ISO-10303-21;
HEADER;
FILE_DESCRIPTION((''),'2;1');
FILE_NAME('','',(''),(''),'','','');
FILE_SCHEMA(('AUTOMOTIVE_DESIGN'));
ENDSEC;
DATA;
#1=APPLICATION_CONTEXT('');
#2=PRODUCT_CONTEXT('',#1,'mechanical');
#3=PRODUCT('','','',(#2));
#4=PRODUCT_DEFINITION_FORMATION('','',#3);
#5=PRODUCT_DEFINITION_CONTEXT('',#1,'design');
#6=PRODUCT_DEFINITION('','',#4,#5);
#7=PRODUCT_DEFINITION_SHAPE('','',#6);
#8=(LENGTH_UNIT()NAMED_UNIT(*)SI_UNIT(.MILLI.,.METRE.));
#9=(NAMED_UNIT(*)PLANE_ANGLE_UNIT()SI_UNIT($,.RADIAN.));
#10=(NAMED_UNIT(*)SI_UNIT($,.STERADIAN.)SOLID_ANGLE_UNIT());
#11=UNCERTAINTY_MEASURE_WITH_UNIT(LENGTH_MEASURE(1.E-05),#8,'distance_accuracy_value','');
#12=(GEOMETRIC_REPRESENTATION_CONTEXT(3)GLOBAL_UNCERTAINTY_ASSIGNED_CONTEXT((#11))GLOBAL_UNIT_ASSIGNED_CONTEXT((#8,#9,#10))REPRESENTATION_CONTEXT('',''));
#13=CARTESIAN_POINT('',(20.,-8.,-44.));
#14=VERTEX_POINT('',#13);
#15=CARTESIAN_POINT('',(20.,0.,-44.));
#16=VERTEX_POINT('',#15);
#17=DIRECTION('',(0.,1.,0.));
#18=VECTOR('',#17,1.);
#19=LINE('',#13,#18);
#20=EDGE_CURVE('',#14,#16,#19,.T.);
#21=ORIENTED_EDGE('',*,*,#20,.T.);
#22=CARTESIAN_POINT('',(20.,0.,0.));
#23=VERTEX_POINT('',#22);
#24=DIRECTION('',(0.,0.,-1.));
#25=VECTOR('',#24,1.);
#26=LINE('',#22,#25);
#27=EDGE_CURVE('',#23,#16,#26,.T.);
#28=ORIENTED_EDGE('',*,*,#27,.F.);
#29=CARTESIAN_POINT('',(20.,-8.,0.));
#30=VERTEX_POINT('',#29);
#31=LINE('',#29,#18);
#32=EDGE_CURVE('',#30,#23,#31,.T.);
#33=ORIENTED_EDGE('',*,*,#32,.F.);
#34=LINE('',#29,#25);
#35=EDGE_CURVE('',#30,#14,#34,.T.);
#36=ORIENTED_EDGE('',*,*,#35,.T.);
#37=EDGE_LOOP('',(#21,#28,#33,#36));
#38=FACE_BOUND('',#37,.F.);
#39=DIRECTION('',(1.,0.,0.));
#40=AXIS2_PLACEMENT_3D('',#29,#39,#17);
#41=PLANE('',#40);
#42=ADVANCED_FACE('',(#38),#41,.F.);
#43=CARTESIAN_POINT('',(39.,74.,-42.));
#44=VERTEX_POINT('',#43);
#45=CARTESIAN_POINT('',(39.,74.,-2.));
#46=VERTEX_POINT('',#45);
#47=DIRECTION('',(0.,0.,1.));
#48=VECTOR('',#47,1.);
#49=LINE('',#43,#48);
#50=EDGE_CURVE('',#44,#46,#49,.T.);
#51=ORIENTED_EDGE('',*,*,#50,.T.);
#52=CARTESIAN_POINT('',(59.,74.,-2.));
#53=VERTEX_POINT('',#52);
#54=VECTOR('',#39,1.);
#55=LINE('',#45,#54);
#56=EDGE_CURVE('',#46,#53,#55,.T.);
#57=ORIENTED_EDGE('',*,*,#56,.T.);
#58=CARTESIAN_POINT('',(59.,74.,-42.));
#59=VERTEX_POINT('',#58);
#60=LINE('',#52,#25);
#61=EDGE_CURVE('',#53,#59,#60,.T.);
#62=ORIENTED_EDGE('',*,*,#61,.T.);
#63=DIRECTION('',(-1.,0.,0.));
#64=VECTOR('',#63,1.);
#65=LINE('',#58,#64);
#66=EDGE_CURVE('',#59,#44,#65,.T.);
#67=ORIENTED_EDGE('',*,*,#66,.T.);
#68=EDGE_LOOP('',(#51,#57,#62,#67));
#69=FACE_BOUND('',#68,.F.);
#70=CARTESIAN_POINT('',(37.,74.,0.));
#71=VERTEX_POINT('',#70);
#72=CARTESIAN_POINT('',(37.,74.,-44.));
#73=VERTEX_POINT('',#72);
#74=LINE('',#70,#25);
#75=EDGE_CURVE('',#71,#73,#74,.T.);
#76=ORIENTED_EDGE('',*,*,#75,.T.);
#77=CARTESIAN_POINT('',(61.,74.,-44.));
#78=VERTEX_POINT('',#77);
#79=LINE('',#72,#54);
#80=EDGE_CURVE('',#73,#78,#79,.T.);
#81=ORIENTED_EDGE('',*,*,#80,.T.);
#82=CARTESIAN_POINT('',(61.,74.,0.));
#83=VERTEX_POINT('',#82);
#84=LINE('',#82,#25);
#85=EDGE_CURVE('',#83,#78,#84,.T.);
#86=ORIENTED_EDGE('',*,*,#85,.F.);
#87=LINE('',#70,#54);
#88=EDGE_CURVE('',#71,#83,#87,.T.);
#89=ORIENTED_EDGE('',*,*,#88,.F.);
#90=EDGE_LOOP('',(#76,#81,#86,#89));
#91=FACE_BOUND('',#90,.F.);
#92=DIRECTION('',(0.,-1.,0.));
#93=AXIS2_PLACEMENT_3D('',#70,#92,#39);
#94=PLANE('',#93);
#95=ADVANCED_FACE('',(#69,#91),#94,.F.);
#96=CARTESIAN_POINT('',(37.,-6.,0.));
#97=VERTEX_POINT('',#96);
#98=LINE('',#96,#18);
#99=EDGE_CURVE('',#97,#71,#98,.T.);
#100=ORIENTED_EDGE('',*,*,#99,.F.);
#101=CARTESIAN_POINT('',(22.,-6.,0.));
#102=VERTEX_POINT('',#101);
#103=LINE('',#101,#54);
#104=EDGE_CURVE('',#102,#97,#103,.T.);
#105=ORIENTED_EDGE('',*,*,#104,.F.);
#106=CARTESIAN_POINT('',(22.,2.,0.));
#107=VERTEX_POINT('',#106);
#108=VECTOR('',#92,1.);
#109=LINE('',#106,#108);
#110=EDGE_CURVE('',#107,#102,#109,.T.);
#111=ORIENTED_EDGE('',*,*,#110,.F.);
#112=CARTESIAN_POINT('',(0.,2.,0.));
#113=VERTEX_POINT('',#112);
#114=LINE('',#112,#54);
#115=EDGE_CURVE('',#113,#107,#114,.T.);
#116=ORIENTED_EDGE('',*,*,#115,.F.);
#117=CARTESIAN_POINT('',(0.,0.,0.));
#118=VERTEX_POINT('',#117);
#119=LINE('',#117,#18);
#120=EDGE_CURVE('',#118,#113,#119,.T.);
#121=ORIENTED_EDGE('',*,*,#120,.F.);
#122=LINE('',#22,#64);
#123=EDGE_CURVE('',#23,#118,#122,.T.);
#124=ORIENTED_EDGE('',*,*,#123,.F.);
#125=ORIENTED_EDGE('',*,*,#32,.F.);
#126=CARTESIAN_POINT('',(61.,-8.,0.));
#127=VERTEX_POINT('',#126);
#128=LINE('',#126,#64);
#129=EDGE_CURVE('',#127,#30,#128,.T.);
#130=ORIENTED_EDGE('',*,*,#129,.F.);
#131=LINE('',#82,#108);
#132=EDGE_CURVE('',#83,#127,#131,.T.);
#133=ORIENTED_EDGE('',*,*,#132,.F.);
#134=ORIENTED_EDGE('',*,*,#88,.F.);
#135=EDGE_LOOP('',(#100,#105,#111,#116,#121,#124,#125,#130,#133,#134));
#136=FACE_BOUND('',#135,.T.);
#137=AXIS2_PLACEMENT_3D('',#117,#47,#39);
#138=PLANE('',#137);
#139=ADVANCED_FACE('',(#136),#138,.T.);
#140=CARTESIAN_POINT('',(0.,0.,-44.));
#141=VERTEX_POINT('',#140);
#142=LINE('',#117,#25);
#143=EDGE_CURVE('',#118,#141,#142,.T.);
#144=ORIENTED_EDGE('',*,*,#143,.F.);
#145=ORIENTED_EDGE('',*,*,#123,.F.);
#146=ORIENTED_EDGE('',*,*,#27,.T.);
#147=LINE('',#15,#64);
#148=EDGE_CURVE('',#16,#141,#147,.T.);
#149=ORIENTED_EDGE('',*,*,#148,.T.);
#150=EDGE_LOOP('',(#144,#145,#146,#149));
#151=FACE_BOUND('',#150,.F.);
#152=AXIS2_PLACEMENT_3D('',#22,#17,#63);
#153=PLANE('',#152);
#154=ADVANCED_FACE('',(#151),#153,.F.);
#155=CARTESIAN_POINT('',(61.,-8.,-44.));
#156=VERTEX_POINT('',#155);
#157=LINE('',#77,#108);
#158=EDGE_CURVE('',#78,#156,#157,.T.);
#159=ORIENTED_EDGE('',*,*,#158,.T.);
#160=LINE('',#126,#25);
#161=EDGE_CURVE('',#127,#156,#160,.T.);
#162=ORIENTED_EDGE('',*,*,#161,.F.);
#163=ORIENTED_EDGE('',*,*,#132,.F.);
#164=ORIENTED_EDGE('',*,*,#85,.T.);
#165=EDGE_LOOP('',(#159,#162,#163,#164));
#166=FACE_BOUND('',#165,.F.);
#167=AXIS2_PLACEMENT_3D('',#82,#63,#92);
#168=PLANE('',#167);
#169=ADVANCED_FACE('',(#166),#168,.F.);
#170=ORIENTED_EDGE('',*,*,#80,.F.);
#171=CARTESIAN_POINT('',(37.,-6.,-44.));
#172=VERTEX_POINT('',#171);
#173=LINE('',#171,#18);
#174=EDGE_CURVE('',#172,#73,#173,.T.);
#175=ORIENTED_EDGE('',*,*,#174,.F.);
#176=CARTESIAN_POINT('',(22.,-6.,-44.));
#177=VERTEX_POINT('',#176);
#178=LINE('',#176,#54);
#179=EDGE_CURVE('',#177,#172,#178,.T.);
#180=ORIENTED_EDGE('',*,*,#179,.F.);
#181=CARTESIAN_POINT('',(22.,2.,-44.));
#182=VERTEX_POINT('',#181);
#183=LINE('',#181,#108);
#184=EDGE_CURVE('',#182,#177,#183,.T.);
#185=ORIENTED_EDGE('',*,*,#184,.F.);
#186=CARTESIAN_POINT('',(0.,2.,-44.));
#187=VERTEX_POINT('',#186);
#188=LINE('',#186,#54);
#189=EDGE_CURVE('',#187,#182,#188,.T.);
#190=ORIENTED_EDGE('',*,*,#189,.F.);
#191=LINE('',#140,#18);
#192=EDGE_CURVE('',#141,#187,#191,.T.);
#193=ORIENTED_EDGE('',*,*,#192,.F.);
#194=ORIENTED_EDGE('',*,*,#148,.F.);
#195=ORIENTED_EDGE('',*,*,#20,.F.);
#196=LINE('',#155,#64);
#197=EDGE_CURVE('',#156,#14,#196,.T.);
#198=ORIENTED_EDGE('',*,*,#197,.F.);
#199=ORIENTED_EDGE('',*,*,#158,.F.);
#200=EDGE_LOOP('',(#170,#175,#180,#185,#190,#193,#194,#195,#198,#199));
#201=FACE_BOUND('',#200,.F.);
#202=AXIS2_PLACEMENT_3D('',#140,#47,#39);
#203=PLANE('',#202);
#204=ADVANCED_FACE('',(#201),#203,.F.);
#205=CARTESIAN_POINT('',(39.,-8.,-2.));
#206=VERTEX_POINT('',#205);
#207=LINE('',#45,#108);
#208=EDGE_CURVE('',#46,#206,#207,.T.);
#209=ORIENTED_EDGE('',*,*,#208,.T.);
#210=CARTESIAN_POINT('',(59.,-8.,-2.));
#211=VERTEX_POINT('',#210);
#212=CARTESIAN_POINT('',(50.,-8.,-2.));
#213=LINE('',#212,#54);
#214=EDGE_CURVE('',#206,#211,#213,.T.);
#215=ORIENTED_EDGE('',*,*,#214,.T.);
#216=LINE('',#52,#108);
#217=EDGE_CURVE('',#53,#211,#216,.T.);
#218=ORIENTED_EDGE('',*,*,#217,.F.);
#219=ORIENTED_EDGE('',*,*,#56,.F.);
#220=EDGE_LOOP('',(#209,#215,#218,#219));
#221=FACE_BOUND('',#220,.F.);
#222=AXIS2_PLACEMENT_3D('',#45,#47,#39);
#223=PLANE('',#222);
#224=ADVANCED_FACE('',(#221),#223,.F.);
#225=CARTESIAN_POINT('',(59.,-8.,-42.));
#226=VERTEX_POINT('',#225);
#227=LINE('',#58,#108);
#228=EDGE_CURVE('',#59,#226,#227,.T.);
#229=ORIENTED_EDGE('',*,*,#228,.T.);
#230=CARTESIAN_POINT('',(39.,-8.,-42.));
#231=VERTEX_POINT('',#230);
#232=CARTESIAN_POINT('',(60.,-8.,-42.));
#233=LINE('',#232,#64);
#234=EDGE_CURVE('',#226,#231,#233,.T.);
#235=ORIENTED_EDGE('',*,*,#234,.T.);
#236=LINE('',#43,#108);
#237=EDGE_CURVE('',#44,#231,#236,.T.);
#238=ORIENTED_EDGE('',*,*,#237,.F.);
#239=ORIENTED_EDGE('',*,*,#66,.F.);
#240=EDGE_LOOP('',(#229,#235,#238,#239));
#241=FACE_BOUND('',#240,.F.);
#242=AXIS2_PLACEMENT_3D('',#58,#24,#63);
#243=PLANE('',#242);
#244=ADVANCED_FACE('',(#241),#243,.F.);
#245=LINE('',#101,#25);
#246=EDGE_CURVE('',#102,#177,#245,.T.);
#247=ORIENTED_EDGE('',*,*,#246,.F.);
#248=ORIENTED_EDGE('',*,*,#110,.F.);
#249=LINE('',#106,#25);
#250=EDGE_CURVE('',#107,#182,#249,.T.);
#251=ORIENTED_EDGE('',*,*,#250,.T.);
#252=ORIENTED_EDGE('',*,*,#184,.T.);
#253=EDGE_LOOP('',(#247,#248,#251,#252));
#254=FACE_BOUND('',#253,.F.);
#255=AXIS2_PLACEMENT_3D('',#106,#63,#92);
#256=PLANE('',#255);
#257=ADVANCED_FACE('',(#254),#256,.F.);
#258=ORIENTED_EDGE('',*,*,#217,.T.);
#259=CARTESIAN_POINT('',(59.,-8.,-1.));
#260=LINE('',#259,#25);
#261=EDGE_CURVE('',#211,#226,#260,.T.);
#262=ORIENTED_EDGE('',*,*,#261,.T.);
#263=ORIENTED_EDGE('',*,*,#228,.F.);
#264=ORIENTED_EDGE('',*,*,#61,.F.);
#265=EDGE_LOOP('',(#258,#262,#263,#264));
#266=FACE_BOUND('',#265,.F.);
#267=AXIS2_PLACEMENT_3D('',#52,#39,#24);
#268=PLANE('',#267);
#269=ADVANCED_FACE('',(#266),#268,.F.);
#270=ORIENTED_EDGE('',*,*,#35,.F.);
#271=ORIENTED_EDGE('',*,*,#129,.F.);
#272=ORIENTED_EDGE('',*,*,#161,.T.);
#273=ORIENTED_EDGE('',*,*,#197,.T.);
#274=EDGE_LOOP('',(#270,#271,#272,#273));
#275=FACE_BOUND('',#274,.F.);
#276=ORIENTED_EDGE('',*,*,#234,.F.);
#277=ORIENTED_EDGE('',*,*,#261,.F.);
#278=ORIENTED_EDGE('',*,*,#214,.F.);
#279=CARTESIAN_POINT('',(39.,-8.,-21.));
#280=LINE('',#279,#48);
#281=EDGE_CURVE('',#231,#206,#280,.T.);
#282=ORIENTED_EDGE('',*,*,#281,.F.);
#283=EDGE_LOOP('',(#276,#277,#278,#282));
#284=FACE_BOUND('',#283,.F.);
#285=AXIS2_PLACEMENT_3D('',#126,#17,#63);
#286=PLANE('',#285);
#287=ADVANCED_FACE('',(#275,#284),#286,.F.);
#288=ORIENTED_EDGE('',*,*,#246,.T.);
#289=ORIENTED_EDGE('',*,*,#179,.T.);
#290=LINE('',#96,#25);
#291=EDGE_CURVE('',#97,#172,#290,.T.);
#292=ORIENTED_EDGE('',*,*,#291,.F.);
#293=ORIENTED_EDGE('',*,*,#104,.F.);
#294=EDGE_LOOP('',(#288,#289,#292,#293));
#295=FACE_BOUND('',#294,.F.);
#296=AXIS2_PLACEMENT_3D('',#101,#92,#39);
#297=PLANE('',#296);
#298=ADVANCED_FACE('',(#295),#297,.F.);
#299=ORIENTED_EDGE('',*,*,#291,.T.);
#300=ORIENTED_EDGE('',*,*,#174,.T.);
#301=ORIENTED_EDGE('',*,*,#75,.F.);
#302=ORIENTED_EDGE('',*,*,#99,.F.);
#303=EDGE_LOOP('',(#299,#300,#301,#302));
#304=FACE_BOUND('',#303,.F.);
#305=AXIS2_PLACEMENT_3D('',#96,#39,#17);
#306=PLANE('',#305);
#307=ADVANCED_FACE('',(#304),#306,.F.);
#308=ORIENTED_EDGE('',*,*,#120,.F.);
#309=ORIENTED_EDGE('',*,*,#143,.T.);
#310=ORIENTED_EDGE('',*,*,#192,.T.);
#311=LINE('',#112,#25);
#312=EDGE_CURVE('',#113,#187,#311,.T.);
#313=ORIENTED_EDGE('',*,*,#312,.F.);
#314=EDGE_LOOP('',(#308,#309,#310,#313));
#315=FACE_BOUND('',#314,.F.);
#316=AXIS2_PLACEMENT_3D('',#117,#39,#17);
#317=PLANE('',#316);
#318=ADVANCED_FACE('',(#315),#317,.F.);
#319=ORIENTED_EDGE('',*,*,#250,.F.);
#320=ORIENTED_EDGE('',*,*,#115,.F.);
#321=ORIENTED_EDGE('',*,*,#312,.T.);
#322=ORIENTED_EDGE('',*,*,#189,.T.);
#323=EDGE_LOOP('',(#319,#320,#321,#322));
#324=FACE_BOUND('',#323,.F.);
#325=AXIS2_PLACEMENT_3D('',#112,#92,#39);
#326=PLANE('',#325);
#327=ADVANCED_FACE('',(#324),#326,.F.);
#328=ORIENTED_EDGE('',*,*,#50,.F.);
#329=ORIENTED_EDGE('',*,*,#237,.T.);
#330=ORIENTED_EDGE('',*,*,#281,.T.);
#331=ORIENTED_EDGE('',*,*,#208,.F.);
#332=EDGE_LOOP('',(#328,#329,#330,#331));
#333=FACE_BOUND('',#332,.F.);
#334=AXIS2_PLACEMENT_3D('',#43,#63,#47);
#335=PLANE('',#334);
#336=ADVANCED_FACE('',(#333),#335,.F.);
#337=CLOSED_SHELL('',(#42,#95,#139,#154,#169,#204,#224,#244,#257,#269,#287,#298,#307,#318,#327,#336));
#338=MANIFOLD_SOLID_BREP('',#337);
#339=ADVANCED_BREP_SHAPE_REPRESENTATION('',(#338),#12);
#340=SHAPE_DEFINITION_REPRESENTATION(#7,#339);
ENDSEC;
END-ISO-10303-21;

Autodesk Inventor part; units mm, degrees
ref_plane "YZ Plane" through (0, 0, 0) normal (1, 0, 0) x (0, 1, 0)
ref_plane "XZ Plane" through (0, 0, 0) normal (0, 1, 0) x (-1, 0, 0)
ref_plane "XY Plane" through (0, 0, 0) normal (0, 0, 1) x (1, 0, 0)
sketch "Skizze4" plane through (0, 0, 0) normal (0, 0, 1) x (1, 0, 0)
  line L0 (0, 0) -> (0, 2)
  line L1 (0, 2) -> (22, 2)
  line L2 (22, 2) -> (22, -6)
  line L3 (22, -6) -> (37, -6)
  line L4 (37, -6) -> (37, 74)
  line L5 (37, 74) -> (61, 74)
  line L6 (61, 74) -> (61, -8)
  line L7 (61, 74) -> (143, 74) construction
  line L8 (61, -8) -> (20, -8)
  line L9 (20, -8) -> (20, 0)
  line L10 (20, 0) -> (0, 0)
  dimension "d2" = 2
  dimension "d3" = 22
  dimension "d4" = 8
  dimension "d5" = 15
  dimension "d6" = 80
  dimension "d7" = 24
  dimension "d8" = 82
  dimension "d9" = 90
  dimension "d10" = 41
extrude "Extrusion3" add sketch "Skizze4" against normal blind 44
sketch "Skizze10" plane through (37, 74, 0) normal (0, 1, 0) x (1, 0, 0)
  line L0 (2, 2) -> (22, 2)
  line L1 (22, 2) -> (22, 42)
  line L2 (22, 42) -> (2, 42)
  line L3 (2, 42) -> (2, 2)
  point P0 (-37, 0)
  dimension "d31" = 20
  dimension "d32" = 40
extrude "Extrusion7" cut sketch "Skizze10" against normal blind 200
properties part number "flexibler_standfuß_v0.2"
